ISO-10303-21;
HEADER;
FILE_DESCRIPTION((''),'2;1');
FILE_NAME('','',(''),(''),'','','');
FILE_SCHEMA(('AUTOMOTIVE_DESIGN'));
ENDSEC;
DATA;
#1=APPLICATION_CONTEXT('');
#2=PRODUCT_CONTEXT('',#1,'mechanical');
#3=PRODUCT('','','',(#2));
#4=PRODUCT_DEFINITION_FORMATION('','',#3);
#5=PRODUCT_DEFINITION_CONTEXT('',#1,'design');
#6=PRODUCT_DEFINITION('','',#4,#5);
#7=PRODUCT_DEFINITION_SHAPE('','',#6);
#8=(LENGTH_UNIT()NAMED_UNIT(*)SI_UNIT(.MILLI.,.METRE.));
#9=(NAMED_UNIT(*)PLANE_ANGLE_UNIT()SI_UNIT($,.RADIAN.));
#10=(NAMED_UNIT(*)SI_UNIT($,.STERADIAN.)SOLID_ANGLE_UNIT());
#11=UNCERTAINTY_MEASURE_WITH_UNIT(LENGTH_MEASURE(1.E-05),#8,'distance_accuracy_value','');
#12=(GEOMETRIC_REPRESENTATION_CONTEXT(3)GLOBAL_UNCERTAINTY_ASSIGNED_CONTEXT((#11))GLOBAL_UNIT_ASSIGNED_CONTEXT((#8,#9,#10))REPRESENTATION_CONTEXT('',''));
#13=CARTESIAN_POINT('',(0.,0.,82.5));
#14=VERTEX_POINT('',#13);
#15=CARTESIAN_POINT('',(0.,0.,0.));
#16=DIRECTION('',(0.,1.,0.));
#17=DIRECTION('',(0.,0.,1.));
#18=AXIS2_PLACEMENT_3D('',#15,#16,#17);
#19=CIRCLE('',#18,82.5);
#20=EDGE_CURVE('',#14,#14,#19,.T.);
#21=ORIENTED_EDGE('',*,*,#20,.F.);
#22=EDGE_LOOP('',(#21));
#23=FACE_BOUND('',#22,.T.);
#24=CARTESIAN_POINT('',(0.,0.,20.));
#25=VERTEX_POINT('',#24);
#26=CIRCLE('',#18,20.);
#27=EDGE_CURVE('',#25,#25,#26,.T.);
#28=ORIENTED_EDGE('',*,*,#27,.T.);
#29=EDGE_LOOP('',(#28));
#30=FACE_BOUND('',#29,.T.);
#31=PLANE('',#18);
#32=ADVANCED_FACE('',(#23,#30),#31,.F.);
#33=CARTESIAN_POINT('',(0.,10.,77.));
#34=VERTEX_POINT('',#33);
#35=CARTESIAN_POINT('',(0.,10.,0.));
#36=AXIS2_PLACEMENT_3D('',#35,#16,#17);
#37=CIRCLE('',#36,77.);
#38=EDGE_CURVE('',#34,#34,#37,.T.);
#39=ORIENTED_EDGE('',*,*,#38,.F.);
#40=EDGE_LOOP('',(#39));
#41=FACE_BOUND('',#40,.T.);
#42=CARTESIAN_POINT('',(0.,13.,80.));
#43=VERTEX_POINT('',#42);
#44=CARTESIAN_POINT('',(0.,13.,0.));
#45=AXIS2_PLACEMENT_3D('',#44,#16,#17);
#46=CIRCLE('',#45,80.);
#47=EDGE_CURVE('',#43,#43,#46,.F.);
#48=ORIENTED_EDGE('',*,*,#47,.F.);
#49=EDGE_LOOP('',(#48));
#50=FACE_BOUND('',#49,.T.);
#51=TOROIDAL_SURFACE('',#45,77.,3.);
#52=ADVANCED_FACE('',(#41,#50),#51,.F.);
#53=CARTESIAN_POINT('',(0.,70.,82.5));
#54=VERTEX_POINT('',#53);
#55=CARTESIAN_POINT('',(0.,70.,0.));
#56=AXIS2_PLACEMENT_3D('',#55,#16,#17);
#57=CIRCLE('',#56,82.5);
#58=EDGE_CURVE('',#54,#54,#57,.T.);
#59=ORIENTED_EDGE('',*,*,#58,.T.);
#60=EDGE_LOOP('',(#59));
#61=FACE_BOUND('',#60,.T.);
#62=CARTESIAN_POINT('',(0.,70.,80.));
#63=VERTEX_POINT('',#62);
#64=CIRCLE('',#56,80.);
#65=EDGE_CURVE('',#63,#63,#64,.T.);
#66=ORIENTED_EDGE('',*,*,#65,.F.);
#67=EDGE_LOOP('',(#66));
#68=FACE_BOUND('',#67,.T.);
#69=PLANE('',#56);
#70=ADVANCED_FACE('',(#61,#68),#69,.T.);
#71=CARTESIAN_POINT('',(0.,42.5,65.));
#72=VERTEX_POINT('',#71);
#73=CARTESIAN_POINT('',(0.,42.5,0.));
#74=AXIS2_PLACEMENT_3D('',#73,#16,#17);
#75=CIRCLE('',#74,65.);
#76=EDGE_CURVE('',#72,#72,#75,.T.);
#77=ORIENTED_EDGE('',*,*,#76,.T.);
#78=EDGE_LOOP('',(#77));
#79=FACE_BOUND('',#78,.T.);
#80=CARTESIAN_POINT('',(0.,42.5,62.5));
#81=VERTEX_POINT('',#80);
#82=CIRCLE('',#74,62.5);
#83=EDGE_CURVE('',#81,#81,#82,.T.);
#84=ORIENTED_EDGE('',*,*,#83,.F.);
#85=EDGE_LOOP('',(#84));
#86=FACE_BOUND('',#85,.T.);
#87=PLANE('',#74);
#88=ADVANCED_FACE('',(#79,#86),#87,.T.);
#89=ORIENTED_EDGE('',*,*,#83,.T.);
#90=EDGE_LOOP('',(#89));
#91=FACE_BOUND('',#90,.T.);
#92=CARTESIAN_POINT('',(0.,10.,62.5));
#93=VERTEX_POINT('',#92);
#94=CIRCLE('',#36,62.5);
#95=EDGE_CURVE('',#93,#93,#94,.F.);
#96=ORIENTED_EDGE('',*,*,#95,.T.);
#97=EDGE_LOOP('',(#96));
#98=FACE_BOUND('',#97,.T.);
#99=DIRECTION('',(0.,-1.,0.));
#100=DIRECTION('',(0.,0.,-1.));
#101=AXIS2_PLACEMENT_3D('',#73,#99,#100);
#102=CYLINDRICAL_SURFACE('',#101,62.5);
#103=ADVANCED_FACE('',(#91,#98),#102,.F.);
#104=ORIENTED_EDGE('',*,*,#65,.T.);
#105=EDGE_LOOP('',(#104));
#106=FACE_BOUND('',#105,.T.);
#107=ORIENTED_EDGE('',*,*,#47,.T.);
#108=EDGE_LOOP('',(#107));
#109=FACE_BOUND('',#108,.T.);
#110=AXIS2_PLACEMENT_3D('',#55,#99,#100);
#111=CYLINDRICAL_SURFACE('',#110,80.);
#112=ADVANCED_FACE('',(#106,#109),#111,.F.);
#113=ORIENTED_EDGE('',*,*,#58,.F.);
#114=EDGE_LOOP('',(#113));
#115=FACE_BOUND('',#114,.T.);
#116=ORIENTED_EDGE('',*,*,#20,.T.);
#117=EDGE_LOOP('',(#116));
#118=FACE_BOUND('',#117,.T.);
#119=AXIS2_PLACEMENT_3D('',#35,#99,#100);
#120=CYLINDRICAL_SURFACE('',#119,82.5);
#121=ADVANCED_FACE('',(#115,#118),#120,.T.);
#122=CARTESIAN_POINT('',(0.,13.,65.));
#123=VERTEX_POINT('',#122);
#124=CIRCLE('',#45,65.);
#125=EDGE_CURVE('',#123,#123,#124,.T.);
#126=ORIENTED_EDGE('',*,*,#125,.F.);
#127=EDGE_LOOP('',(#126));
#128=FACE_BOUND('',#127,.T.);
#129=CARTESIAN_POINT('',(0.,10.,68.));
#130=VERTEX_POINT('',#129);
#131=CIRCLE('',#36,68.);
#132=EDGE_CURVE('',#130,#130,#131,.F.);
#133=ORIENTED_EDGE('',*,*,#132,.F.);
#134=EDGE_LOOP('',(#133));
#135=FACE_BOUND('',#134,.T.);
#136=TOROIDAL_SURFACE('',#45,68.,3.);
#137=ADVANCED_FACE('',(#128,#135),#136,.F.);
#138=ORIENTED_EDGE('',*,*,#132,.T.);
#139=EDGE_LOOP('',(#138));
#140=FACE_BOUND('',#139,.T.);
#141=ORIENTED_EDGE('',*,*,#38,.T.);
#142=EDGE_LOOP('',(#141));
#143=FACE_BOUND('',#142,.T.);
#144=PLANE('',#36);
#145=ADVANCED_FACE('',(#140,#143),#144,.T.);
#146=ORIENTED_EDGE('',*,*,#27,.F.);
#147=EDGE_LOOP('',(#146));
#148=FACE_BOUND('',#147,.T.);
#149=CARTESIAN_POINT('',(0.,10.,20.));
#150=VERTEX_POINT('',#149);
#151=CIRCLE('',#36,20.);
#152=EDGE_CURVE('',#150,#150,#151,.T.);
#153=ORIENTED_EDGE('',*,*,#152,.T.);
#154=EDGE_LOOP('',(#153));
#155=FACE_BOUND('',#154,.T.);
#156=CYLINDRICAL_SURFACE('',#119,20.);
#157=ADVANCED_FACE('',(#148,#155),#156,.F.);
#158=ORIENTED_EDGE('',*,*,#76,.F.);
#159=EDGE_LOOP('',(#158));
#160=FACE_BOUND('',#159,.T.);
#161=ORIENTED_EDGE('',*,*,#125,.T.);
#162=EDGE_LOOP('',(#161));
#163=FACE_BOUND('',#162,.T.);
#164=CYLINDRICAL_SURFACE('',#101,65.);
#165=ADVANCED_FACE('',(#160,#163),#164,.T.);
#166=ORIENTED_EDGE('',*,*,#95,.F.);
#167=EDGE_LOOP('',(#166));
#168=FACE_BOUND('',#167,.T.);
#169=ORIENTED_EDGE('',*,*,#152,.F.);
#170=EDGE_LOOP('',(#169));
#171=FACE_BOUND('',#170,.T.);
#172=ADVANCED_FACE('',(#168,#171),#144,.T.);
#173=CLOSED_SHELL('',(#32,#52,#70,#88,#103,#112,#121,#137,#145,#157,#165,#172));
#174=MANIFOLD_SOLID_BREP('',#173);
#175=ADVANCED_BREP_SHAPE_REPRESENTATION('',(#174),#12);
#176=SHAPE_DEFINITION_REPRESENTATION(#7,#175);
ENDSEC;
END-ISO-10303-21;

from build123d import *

# Parameters (mm, degrees)
SKETCH11_R          = 82.5
SKETCH11_R_2        = 20
BOSS_EXTRUDE7_DEPTH = 10
SKETCH11_9_R        = 82.5
SKETCH11_9_R_2      = 80
BOSS_EXTRUDE8_DEPTH = 70
SKETCH11_10_R       = 65
SKETCH11_10_R_2     = 62.5
BOSS_EXTRUDE9_DEPTH = 42.5
FILLET2_R           = 3
FILLET3_R           = 3


with BuildPart() as part:
    # Sketch11 → Boss-Extrude7 (new body)
    with BuildSketch(Plane(origin=(0, 0, 0), x_dir=(1, 0, 0), z_dir=(0, 1, 0))):
        Circle(SKETCH11_R)
        Circle(SKETCH11_R_2, mode=Mode.SUBTRACT)
    extrude(amount=BOSS_EXTRUDE7_DEPTH)

    # Sketch11<9> → Boss-Extrude8 (add)
    with BuildSketch(Plane(origin=(0, 0, 0), x_dir=(1, 0, 0), z_dir=(0, 1, 0))):
        Circle(SKETCH11_9_R)
        Circle(SKETCH11_9_R_2, mode=Mode.SUBTRACT)
    extrude(amount=BOSS_EXTRUDE8_DEPTH)

    # Sketch11<10> → Boss-Extrude9 (add)
    with BuildSketch(Plane(origin=(0, 0, 0), x_dir=(1, 0, 0), z_dir=(0, 1, 0))):
        Circle(SKETCH11_10_R)
        Circle(SKETCH11_10_R_2, mode=Mode.SUBTRACT)
    extrude(amount=BOSS_EXTRUDE9_DEPTH)

    # Fillet2
    fillet2_edges = [part.edges().sort_by_distance(p)[0] for p in [
        (-80, 10, 0),
    ]]
    fillet(fillet2_edges, radius=FILLET2_R)

    # Fillet3
    fillet3_edges = [part.edges().sort_by_distance(p)[0] for p in [
        (-65, 10, 0),
    ]]
    fillet(fillet3_edges, radius=FILLET3_R)


solid = part.part
